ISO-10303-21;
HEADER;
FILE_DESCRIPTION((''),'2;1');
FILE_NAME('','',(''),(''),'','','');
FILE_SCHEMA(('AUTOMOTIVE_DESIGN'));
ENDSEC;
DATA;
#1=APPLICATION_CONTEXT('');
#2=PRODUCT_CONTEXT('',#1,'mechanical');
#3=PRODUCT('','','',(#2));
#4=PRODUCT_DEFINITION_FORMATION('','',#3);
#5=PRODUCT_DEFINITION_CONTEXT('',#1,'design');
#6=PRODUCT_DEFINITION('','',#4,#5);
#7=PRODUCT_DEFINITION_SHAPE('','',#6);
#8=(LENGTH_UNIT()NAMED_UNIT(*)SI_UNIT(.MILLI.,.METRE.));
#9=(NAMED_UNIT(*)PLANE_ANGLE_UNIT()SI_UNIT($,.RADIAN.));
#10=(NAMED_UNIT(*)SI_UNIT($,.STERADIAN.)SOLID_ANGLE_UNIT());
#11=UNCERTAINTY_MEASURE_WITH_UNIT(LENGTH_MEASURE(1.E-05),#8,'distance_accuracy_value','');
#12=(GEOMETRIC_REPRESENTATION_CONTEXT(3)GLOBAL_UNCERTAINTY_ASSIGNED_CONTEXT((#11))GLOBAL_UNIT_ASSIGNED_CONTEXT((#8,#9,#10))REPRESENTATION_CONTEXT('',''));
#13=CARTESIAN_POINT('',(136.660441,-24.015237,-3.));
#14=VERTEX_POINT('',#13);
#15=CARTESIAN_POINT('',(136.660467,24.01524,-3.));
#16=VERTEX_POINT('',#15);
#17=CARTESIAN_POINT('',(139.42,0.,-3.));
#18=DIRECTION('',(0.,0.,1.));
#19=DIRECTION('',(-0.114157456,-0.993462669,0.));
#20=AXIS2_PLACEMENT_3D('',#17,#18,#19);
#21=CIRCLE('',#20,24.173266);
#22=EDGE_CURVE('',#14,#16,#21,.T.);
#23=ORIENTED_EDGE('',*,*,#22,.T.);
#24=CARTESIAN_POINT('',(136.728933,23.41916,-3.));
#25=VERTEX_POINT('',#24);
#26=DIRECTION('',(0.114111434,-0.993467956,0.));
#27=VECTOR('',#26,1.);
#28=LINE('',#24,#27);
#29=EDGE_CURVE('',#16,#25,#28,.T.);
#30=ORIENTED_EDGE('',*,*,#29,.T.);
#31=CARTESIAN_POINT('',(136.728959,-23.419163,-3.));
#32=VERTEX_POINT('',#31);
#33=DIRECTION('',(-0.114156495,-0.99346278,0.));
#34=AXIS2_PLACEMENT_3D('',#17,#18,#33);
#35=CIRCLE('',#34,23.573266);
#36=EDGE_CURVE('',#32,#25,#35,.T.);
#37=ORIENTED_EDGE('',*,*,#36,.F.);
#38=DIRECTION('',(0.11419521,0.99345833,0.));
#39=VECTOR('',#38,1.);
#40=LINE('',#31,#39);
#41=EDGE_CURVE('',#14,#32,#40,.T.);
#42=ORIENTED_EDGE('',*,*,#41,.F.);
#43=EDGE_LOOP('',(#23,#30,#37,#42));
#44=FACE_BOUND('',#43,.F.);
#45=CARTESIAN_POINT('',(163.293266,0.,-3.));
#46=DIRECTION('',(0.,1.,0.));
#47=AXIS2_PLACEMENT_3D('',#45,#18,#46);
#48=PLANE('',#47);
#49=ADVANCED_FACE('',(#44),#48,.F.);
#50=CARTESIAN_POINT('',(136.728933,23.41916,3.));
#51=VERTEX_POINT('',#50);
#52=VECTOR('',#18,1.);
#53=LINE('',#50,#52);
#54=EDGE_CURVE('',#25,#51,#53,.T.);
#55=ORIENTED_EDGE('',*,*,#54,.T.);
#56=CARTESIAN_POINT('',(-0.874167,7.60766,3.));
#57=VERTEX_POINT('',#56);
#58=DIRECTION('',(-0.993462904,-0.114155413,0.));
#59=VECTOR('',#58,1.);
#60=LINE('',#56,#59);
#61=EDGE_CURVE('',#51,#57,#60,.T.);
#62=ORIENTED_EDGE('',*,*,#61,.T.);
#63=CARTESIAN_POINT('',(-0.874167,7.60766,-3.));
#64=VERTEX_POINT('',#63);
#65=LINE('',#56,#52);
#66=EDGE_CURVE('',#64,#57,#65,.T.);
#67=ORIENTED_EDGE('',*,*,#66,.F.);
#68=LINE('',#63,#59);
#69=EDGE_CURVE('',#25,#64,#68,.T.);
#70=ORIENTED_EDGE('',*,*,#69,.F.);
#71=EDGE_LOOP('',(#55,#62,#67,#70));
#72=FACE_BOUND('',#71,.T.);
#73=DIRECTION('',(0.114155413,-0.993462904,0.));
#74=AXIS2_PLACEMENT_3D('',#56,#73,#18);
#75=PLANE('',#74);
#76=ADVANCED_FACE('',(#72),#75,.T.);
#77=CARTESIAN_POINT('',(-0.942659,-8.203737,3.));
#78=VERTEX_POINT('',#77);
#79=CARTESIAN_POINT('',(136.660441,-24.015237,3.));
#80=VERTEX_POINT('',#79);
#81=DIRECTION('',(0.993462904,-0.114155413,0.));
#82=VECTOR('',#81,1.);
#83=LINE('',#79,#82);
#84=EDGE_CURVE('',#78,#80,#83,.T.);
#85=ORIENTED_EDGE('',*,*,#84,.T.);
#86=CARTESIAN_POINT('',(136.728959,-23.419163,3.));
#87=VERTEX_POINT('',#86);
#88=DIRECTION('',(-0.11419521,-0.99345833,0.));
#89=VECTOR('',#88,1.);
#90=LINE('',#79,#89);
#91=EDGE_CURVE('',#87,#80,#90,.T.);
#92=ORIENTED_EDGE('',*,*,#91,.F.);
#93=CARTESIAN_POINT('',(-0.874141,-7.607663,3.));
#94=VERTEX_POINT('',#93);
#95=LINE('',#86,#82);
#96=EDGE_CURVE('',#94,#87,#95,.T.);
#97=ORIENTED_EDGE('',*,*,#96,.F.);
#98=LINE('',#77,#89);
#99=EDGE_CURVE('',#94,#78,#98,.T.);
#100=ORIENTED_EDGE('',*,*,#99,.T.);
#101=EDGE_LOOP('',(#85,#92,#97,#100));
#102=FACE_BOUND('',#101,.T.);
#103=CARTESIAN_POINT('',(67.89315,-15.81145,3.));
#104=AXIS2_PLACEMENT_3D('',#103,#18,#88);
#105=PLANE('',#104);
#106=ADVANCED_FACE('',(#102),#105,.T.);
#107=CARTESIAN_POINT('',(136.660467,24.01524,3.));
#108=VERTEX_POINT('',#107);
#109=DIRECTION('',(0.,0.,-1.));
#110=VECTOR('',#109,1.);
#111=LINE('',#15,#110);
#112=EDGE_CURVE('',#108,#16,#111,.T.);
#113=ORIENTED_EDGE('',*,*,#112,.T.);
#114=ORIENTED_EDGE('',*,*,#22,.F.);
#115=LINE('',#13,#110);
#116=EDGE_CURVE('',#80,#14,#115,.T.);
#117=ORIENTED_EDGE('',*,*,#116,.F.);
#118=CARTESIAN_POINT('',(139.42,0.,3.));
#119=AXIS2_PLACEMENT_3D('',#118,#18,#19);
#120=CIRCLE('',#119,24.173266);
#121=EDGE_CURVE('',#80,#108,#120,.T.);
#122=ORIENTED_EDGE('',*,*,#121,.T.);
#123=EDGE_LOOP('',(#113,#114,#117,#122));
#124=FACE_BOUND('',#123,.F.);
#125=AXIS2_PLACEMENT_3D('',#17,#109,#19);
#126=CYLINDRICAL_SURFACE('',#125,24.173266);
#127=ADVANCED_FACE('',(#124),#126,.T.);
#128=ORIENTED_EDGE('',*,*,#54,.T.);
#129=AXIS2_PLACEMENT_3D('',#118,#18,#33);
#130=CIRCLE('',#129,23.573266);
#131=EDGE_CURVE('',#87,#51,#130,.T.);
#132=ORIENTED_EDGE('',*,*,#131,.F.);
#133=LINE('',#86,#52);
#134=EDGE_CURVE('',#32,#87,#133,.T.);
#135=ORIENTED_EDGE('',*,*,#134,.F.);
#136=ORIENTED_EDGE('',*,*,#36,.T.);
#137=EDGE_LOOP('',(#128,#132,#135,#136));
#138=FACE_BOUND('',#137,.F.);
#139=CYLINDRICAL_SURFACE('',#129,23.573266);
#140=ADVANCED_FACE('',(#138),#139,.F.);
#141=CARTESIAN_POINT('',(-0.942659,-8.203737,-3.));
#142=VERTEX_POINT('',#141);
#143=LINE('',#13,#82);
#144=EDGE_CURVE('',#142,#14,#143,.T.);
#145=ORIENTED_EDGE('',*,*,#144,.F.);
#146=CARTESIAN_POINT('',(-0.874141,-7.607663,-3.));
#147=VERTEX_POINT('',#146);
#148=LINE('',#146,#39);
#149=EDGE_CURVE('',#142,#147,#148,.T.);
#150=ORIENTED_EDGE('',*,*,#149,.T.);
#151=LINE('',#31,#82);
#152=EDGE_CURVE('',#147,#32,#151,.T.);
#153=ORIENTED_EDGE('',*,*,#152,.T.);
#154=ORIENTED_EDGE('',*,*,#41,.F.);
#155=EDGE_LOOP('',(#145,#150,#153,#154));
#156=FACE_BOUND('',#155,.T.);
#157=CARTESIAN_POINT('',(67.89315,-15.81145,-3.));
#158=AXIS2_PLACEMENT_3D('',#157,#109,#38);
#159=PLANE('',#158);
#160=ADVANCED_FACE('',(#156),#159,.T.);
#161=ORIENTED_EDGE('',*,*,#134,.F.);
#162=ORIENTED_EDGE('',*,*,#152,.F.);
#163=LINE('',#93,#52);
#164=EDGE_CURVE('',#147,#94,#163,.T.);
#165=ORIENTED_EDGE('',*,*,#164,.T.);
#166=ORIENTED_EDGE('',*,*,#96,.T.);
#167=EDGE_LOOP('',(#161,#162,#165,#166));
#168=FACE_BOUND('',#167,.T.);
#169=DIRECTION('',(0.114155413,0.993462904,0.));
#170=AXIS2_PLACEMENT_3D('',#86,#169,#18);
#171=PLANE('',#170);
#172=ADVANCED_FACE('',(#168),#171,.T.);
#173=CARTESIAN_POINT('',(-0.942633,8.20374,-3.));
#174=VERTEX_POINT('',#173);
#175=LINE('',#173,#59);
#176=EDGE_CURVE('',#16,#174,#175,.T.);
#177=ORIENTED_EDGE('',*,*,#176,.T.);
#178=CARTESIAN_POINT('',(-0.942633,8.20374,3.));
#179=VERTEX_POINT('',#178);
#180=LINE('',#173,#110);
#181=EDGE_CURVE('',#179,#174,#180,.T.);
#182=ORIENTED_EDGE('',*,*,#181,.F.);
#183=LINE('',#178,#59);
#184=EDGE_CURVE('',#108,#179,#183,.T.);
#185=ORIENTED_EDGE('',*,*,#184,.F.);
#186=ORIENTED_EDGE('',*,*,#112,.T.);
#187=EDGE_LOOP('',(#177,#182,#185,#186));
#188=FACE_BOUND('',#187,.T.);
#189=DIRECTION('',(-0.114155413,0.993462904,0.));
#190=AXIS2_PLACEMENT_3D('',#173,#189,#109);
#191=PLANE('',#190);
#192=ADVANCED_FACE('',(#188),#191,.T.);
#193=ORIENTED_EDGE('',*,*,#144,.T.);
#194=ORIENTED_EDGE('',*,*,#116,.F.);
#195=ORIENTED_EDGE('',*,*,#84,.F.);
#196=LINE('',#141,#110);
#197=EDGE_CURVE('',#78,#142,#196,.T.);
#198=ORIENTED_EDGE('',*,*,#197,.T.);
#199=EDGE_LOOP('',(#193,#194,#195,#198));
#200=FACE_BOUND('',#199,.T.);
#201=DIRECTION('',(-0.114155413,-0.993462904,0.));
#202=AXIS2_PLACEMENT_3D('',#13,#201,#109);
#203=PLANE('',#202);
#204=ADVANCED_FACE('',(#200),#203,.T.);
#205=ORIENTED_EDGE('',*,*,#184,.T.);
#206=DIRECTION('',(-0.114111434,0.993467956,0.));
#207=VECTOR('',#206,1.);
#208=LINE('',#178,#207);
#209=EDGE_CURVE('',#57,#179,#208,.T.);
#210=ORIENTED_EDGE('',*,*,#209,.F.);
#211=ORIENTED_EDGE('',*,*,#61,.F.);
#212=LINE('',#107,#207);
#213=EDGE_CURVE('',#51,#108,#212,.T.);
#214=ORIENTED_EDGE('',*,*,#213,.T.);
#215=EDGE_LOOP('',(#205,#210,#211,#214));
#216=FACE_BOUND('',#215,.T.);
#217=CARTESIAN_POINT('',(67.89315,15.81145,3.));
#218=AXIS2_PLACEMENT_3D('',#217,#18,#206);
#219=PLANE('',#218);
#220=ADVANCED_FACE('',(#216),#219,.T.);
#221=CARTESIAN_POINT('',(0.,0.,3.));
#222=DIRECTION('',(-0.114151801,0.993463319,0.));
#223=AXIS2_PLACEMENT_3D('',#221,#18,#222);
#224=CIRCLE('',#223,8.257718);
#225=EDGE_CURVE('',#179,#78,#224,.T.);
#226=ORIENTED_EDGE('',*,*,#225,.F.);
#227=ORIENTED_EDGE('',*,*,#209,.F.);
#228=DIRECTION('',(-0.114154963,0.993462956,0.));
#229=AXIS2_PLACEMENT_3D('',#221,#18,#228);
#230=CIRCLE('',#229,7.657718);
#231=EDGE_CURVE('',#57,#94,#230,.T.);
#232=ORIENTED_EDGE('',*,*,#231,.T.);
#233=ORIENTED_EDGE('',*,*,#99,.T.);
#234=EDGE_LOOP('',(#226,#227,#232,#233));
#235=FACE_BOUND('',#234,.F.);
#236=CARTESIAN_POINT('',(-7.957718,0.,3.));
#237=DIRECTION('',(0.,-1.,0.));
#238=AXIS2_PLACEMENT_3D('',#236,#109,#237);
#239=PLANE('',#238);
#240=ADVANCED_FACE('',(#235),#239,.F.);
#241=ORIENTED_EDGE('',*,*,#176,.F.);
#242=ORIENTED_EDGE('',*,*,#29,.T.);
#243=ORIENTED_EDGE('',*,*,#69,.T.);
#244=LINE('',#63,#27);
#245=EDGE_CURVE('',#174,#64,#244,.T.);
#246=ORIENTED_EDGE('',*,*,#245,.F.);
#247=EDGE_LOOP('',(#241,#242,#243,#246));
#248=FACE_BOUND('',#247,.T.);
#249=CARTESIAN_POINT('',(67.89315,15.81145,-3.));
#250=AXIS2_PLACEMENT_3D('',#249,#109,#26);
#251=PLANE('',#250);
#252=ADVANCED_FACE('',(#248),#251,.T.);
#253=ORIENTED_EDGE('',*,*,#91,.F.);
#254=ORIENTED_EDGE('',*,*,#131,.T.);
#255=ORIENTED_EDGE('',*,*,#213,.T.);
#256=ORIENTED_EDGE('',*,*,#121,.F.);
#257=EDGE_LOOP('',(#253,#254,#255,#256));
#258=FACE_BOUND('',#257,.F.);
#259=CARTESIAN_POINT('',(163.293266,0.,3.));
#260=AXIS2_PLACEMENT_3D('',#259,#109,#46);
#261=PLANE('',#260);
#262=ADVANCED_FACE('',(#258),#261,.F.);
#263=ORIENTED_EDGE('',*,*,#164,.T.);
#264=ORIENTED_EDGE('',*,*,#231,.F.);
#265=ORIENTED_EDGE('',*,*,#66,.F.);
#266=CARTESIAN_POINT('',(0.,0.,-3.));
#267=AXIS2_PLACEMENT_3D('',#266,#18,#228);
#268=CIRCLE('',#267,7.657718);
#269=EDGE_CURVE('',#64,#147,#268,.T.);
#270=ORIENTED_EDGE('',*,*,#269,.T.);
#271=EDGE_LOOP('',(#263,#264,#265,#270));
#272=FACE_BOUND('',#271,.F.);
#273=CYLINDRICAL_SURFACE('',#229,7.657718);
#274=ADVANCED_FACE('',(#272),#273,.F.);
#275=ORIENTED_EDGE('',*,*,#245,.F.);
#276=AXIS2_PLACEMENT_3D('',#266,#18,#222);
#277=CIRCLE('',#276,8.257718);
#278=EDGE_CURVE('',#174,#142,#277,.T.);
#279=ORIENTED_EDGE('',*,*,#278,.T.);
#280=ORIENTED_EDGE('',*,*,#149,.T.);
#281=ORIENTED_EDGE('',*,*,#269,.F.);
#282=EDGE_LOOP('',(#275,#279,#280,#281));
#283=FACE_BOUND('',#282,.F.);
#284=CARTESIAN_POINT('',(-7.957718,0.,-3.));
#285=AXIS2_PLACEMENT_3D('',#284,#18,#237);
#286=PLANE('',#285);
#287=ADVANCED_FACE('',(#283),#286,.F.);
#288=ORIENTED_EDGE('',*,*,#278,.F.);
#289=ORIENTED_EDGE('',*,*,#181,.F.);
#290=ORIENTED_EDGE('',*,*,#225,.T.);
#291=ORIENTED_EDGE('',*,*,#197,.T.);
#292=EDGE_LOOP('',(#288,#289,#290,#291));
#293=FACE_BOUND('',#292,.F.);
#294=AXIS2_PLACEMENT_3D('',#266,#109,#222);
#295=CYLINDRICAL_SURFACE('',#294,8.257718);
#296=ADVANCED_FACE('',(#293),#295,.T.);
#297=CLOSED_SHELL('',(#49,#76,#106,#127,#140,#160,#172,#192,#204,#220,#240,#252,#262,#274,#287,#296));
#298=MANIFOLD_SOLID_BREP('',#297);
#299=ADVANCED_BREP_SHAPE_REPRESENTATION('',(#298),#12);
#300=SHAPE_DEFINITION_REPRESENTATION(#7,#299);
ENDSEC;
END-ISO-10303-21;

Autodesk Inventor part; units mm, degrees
sketch "Sketch Path" plane through (0, 0, 0) normal (0, 0, 1) x (1, 0, 0)
  arc A0 (-0.9084, 7.9057) -> (-0.9084, -7.9057) centre (0, 0) ccw
  arc A1 (136.6947, -23.7172) -> (136.6947, 23.7172) centre (139.42, 0) ccw
  line L0 (136.6947, -23.7172) -> (-0.9084, -7.9057)
  line L1 (-0.9084, 7.9057) -> (136.6947, 23.7172)
ref_plane "Cross Section Plane" through (-0.9084, -7.9057, 0) normal (0.9935, -0.1142, 0) x (0, 0, 1)
ref_plane "Work Plane2" through (0, 0, 0) normal (-1, 0, 0) x (0, 0, 1)
ref_plane "Work Plane3" through (139.42, 0, 0) normal (-0.9999, -0.0138, 0) x (0, 0, 1)
sketch "Cross Section" plane through (-0.9084, -7.9057, 0) normal (0.9935, -0.1142, 0) x (0, 0, 1)
  line L0 (-3, 0.3) -> (3, 0.3)
  line L1 (3, 0.3) -> (3, -0.3)
  line L2 (3, -0.3) -> (-3, -0.3)
  line L3 (-3, -0.3) -> (-3, 0.3)
  line L4 (-3, 0) -> (3, 0) construction
  point P0 (0, 0)
  point P1 (0, 0)
  dimension "d0" = 6
  dimension "d4" = 0.3
  dimension "d5" = 0.3
sweep "Belt" add profiles "Cross Section" path "Sketch Path"
equation "\"d0\" = da_B"
equation "\"d4\" = da_a"
equation "\"d5\" = da_a2"
equation "\"da_B\" = 6"
equation "\"da_pb\" = 2.5"
equation "\"da_L\" = 380.65881"
equation "\"da_a\" = 0.3"
equation "\"da_S\" = 1.5"
equation "\"da_Beta\" = 20deg"
equation "\"da_Ht\" = 0.7"
equation "\"da_H\" = 1.3"
equation "\"da_a2\" = 0.3"
properties part number "Synchronous Belt" material "Rubber"
